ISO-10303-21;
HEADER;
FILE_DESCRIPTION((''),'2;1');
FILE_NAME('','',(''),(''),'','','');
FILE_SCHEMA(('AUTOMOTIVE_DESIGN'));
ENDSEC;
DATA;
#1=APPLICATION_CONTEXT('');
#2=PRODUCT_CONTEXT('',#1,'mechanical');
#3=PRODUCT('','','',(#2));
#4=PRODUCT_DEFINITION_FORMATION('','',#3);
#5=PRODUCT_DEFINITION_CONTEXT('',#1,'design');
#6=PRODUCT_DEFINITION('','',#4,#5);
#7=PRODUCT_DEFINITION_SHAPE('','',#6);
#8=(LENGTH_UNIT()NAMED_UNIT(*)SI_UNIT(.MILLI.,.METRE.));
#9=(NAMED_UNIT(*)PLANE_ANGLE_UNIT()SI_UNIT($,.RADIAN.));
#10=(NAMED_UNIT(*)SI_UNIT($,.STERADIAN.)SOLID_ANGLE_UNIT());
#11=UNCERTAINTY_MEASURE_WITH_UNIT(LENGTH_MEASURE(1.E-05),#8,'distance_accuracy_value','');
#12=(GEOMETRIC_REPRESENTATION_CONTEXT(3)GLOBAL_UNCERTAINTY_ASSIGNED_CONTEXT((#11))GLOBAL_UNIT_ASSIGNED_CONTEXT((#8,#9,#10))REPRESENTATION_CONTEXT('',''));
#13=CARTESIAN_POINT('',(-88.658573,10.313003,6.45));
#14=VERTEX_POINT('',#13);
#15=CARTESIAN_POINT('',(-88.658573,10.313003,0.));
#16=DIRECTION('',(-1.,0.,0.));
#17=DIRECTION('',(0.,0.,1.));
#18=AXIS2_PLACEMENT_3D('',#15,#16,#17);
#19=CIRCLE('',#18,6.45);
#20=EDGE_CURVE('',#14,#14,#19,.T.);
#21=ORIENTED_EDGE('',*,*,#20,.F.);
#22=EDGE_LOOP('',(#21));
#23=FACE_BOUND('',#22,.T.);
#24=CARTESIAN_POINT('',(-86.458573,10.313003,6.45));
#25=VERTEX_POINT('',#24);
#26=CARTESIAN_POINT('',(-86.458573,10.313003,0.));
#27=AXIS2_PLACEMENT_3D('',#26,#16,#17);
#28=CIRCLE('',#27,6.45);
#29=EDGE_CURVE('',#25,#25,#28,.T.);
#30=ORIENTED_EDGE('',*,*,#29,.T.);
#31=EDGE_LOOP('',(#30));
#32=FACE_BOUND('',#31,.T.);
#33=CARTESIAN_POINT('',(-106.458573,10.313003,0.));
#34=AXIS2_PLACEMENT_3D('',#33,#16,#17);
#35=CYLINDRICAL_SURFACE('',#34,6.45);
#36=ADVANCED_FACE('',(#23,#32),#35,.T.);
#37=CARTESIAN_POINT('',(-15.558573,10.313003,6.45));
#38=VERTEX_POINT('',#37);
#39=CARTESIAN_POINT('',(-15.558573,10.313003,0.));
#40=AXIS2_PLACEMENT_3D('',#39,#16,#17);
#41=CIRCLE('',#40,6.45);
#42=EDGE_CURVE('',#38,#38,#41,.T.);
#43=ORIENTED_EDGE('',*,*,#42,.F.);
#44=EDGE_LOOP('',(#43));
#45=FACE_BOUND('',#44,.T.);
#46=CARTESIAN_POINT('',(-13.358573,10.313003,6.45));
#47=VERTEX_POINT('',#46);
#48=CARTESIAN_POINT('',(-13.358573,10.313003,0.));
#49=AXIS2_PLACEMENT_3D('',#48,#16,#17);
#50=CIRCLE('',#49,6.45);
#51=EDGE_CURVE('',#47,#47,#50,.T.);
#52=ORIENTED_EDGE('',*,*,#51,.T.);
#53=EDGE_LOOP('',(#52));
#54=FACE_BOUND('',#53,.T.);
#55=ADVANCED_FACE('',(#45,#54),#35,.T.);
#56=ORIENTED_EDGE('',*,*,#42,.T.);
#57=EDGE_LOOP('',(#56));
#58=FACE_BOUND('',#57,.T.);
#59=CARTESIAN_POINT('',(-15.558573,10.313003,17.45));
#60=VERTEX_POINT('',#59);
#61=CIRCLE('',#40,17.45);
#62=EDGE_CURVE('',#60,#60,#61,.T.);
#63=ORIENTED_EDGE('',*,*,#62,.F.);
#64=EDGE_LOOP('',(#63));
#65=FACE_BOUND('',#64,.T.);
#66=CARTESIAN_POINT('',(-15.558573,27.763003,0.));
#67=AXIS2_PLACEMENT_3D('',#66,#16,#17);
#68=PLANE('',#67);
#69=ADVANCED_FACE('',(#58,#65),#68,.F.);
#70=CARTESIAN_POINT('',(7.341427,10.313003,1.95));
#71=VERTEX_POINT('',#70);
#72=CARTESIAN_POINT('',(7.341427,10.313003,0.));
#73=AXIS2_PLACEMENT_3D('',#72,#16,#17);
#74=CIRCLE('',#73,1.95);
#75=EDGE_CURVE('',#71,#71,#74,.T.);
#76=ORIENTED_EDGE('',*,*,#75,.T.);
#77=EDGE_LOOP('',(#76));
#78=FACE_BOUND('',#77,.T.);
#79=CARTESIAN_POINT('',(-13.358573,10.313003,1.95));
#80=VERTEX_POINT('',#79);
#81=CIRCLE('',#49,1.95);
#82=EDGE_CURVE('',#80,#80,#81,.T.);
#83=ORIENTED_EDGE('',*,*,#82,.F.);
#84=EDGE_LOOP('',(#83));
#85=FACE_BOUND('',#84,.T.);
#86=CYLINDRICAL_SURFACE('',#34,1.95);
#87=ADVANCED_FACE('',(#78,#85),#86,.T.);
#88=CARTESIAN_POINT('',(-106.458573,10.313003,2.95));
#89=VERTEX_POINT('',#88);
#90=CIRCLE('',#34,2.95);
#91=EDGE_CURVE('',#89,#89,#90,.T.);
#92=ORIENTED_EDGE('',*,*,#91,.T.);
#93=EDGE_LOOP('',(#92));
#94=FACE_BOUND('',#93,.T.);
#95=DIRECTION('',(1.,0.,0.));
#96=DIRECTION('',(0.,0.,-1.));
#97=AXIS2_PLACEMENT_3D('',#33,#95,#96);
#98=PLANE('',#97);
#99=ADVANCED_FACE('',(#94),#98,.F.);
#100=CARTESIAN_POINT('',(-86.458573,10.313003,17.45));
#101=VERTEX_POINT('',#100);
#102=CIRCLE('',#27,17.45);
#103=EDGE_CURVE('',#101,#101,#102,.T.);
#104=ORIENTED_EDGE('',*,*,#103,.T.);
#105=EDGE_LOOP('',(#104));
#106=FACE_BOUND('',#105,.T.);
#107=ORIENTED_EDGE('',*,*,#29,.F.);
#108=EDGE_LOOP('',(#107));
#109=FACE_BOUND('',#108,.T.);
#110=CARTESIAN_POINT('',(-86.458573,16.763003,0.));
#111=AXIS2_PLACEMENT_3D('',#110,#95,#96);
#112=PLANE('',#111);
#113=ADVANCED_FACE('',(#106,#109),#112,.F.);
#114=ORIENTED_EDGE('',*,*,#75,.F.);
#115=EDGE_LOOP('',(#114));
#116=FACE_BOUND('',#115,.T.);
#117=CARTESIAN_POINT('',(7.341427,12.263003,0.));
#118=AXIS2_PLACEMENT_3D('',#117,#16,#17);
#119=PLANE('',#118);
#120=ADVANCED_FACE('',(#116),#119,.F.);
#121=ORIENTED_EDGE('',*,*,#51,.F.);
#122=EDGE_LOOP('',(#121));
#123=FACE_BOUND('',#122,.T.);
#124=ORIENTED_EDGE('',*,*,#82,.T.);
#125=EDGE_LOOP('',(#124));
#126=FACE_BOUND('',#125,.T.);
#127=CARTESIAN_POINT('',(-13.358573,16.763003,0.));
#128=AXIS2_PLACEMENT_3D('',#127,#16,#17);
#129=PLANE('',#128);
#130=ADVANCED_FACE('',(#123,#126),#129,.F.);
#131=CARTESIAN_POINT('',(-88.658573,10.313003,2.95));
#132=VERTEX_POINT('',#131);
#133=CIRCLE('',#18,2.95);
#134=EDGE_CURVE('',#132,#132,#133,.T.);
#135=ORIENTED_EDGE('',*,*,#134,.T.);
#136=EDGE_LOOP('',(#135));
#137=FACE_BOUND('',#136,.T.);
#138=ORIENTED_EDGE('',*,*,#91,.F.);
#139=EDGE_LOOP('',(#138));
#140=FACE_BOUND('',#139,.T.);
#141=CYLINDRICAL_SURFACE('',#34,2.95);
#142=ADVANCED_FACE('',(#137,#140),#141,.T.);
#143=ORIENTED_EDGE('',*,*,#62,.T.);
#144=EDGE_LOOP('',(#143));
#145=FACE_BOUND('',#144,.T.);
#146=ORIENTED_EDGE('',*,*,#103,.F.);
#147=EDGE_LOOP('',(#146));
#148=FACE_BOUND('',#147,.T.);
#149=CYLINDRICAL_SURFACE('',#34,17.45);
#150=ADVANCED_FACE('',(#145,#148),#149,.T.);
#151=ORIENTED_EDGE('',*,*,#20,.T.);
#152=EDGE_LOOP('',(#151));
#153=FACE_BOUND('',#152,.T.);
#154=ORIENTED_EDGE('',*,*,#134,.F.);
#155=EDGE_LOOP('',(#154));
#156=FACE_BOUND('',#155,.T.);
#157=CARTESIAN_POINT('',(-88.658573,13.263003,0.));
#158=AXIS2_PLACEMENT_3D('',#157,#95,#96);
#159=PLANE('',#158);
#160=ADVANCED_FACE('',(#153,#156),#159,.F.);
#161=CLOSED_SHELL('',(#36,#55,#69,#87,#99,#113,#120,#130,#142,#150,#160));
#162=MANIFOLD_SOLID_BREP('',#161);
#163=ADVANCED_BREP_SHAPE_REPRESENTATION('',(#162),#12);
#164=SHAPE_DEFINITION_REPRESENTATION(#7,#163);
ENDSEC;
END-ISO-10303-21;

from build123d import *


with BuildPart() as part:
    # Sketch1 → Revolve1 (revolve)
    with BuildSketch(Plane.XY):
        Polygon((-106.458572994, 10.313003027), (-106.458572994, 13.263003027), (-88.658572994, 13.263003027), (-88.658572994, 16.763003027), (-86.458572994, 16.763003027), (-86.458572994, 27.763003027), (-15.558572994, 27.763003027), (-15.558572994, 16.763003027), (-13.358572994, 16.763003027), (-13.358572994, 12.263003027), (7.341427006, 12.263003027), (7.341427006, 10.313003027), align=None)
    revolve(axis=Axis((-106.458572994, 10.313003027, 0), (1, 0, 0)))


solid = part.part
